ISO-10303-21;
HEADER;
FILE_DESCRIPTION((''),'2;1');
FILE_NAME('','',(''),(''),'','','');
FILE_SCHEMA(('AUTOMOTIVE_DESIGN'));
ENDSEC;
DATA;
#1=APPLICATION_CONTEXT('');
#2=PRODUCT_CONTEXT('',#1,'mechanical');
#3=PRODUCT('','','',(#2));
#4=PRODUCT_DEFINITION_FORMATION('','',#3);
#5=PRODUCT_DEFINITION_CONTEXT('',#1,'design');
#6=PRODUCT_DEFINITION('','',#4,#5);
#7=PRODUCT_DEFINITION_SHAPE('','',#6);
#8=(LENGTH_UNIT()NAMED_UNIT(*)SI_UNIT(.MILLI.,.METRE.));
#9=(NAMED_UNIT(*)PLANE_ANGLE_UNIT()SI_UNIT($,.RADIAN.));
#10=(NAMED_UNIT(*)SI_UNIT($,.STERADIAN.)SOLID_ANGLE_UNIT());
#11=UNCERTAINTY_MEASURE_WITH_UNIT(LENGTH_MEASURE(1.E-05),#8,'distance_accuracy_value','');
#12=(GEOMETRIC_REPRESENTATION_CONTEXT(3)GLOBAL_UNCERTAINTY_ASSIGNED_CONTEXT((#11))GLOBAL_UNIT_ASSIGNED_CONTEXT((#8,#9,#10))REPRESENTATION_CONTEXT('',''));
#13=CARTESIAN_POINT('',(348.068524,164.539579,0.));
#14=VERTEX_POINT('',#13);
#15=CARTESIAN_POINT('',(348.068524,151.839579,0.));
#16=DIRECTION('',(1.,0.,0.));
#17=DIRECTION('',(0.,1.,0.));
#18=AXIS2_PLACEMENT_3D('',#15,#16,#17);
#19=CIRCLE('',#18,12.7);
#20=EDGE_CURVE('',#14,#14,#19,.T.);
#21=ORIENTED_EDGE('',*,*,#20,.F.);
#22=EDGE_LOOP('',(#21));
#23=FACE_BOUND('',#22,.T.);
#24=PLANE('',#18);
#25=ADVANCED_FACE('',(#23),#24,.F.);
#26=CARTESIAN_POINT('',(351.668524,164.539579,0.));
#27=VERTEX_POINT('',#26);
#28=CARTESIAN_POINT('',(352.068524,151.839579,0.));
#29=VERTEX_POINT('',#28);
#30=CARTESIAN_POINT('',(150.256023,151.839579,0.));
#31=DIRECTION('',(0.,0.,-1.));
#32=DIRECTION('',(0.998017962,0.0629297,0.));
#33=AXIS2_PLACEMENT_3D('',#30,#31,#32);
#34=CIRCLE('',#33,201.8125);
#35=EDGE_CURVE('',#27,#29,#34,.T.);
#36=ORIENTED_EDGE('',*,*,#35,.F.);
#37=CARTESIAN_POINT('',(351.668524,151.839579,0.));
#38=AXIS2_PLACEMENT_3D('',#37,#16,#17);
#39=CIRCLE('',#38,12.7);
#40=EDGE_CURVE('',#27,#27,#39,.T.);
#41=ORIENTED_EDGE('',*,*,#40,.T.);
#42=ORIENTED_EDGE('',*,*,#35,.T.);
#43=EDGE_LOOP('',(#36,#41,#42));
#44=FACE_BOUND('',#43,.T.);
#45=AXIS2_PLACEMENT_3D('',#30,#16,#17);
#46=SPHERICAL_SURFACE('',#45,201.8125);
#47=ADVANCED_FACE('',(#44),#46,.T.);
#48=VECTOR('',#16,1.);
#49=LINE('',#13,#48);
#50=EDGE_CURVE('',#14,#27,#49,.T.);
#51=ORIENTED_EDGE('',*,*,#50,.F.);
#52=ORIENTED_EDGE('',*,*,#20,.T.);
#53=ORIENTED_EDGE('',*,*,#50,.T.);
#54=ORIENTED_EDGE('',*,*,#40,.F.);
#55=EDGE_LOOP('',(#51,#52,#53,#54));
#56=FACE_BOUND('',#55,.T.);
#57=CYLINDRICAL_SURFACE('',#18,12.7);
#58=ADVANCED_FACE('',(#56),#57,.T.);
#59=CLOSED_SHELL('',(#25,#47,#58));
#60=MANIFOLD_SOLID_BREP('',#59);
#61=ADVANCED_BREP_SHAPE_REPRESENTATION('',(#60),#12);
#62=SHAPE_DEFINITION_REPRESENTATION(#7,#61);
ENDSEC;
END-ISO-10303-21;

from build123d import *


with BuildPart() as part:
    # 草图1 → 旋转1 (revolve)
    with BuildSketch(Plane.XY):
        with BuildLine():
            Line((348.068523868, 151.839578728), (348.068523868, 164.539578728))
            Line((348.068523868, 164.539578728), (351.668523868, 164.539578728))
            ThreePointArc((351.668523868, 164.539578728), (351.96849908, 158.192727554), (352.068523868, 151.839578728))
            Line((352.068523868, 151.839578728), (348.068523868, 151.839578728))
        make_face()
    revolve(axis=Axis((342.330305832, 151.839578728, 0), (1, 0, 0)))


solid = part.part
